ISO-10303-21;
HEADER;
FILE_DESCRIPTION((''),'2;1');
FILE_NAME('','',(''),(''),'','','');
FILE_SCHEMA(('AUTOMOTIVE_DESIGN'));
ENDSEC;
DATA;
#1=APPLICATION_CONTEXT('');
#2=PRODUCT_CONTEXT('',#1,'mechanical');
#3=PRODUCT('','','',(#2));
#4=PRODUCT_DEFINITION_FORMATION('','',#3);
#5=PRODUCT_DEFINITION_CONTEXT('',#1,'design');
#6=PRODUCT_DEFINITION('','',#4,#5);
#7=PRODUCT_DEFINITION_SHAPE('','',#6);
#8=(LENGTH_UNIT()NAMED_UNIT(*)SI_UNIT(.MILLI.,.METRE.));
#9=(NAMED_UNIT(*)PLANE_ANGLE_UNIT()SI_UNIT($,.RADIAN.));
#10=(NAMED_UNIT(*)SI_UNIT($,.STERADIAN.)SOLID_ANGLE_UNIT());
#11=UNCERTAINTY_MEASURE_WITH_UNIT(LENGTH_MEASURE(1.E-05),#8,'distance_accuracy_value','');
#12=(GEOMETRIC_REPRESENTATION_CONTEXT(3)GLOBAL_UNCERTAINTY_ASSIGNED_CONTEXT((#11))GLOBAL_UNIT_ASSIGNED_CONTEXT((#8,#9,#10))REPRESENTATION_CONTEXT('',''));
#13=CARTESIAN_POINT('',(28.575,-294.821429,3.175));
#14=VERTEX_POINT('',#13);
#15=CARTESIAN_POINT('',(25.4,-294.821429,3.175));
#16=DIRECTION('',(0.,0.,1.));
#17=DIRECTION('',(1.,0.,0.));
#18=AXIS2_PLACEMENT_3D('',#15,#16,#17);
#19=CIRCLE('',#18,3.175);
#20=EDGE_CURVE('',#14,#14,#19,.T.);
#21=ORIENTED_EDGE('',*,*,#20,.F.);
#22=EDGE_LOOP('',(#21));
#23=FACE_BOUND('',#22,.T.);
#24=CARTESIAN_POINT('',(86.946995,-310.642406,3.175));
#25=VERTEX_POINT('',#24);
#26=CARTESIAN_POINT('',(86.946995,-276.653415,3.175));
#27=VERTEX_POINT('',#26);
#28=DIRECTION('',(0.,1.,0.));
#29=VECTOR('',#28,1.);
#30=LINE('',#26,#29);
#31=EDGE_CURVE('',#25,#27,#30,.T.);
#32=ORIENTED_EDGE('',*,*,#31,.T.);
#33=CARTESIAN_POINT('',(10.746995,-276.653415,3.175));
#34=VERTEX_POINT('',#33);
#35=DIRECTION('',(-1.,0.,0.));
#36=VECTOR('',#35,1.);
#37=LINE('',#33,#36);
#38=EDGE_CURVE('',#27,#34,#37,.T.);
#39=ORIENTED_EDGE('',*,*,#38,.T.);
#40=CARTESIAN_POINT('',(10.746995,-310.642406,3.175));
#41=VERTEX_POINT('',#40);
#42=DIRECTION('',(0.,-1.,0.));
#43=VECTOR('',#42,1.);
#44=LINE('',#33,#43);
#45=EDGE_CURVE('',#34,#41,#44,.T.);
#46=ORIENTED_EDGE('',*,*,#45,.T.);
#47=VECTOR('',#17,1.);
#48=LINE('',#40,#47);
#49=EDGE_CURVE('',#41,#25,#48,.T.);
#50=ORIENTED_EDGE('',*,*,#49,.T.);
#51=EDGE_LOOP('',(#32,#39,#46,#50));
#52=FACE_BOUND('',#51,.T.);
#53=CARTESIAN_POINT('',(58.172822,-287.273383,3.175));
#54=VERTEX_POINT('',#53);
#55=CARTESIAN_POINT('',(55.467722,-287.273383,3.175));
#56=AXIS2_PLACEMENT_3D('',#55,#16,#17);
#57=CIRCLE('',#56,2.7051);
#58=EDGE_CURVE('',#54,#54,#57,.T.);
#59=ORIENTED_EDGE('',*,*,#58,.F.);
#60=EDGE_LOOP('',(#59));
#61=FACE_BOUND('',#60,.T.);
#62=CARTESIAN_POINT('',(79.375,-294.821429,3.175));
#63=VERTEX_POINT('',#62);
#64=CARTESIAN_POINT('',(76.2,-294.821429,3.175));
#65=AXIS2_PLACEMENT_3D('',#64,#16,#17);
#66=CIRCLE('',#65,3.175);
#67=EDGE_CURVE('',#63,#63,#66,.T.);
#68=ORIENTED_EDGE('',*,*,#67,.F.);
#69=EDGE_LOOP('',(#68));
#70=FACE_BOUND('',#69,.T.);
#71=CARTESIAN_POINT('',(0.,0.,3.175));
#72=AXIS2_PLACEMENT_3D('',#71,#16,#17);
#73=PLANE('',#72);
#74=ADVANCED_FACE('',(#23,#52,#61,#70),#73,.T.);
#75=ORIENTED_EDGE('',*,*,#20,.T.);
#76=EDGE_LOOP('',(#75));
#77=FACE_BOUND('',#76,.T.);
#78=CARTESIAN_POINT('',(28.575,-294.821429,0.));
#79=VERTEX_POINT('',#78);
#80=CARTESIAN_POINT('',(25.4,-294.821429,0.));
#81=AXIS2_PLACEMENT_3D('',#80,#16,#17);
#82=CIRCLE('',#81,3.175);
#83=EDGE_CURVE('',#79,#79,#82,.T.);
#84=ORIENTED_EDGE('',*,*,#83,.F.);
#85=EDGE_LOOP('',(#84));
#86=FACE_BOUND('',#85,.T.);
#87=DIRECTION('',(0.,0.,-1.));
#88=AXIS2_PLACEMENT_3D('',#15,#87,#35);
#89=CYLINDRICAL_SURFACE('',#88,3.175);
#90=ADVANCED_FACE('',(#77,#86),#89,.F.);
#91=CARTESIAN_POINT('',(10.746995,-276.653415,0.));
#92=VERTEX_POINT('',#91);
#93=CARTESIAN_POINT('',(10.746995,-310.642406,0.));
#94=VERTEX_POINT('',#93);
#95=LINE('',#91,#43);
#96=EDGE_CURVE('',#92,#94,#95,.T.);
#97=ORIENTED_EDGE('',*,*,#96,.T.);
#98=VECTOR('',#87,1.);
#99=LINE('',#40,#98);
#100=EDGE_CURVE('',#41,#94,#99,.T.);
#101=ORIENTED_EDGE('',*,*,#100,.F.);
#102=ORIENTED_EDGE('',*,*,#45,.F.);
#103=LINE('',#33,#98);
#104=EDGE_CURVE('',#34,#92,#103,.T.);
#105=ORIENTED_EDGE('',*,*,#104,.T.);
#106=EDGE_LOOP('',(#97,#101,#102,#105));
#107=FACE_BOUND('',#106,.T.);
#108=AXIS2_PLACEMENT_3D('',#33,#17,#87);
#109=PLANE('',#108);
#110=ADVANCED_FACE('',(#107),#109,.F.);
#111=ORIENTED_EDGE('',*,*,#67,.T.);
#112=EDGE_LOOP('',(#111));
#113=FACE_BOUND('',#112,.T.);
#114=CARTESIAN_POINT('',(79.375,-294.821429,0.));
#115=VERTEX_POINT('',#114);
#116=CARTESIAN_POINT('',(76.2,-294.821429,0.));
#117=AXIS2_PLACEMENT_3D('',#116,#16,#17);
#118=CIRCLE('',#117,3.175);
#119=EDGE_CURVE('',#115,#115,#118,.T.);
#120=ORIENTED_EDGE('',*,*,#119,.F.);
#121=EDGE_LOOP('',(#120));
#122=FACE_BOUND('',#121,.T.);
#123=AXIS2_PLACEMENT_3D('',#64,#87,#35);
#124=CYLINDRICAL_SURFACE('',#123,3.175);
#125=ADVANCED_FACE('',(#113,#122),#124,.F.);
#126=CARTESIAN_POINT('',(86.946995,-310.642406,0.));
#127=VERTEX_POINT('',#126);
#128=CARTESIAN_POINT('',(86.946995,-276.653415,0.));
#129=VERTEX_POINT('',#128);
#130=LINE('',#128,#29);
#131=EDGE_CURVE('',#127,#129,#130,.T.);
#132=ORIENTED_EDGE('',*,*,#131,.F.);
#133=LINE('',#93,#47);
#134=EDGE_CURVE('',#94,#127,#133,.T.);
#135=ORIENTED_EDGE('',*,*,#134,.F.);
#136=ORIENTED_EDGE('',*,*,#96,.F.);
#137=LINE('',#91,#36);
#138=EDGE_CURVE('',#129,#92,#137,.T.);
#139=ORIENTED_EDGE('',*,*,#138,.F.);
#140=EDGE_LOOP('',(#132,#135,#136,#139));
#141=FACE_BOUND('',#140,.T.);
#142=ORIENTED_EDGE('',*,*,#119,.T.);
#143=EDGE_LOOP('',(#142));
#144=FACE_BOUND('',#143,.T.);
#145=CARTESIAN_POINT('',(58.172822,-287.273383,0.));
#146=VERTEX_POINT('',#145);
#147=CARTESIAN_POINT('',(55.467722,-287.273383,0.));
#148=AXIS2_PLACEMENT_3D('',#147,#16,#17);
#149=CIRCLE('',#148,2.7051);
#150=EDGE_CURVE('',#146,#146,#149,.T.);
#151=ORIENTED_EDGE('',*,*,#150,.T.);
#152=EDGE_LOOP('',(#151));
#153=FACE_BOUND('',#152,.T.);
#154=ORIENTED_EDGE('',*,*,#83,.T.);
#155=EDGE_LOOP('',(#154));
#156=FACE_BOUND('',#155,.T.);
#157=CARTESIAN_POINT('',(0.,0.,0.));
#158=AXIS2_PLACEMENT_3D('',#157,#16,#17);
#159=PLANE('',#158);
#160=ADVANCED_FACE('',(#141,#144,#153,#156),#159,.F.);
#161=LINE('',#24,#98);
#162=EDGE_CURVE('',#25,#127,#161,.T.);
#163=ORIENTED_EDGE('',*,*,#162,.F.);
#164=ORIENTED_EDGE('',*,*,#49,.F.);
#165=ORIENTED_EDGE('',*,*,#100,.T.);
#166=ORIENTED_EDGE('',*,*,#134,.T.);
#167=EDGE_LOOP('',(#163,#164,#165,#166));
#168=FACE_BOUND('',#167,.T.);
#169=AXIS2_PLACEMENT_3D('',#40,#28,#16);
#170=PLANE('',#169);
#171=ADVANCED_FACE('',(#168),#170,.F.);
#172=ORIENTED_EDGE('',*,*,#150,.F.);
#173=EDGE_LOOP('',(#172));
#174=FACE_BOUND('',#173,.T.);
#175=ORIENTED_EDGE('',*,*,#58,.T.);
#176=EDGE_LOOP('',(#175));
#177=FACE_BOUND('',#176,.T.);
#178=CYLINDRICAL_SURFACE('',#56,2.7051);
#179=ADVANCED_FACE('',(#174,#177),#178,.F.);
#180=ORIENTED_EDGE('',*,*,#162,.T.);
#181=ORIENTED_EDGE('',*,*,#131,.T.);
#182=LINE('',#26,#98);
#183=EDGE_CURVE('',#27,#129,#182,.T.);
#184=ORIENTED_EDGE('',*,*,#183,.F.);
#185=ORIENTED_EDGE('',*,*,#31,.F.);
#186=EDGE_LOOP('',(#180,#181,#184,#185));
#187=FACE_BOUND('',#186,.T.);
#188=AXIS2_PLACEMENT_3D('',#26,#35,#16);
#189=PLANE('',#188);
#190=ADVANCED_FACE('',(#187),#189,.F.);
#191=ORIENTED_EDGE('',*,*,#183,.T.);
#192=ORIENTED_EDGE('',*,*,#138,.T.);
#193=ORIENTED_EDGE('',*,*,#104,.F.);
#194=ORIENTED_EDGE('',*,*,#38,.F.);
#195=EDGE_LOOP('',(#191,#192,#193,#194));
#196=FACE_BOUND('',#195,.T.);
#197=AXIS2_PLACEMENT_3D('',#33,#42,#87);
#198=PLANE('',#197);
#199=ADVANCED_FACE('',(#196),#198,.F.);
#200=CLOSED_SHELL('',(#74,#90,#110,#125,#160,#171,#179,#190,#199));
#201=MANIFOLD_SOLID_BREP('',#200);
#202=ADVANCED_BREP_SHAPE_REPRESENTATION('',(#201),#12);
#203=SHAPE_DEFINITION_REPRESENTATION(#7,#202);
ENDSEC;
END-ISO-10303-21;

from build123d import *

# Parameters (mm, degrees)
SKETCH1_W               = 76.2
SKETCH1_H               = 33.988990963
SKETCH1_R               = 3.175
BOSS_EXTRUDE1_DEPTH     = 3.175
F_1_4_28_TAPPED_HOLE1_D = 5.4102


with BuildPart() as part:
    # Sketch1 → Boss-Extrude1 (new body)
    with BuildSketch(Plane.XY):
        with Locations((48.846994999, -293.647910147)):
            Rectangle(SKETCH1_W, SKETCH1_H)
        with Locations((25.4, -294.821428571)):
            Circle(SKETCH1_R, mode=Mode.SUBTRACT)
        with Locations((76.2, -294.821428571)):
            Circle(SKETCH1_R, mode=Mode.SUBTRACT)
    extrude(amount=BOSS_EXTRUDE1_DEPTH)

    # 1/4-28 Tapped Hole1 (through all)
    with Locations(Plane.XY.offset(3.175)):
        with Locations((55.4677219, -287.273383219)):
            Hole(F_1_4_28_TAPPED_HOLE1_D / 2)


solid = part.part
